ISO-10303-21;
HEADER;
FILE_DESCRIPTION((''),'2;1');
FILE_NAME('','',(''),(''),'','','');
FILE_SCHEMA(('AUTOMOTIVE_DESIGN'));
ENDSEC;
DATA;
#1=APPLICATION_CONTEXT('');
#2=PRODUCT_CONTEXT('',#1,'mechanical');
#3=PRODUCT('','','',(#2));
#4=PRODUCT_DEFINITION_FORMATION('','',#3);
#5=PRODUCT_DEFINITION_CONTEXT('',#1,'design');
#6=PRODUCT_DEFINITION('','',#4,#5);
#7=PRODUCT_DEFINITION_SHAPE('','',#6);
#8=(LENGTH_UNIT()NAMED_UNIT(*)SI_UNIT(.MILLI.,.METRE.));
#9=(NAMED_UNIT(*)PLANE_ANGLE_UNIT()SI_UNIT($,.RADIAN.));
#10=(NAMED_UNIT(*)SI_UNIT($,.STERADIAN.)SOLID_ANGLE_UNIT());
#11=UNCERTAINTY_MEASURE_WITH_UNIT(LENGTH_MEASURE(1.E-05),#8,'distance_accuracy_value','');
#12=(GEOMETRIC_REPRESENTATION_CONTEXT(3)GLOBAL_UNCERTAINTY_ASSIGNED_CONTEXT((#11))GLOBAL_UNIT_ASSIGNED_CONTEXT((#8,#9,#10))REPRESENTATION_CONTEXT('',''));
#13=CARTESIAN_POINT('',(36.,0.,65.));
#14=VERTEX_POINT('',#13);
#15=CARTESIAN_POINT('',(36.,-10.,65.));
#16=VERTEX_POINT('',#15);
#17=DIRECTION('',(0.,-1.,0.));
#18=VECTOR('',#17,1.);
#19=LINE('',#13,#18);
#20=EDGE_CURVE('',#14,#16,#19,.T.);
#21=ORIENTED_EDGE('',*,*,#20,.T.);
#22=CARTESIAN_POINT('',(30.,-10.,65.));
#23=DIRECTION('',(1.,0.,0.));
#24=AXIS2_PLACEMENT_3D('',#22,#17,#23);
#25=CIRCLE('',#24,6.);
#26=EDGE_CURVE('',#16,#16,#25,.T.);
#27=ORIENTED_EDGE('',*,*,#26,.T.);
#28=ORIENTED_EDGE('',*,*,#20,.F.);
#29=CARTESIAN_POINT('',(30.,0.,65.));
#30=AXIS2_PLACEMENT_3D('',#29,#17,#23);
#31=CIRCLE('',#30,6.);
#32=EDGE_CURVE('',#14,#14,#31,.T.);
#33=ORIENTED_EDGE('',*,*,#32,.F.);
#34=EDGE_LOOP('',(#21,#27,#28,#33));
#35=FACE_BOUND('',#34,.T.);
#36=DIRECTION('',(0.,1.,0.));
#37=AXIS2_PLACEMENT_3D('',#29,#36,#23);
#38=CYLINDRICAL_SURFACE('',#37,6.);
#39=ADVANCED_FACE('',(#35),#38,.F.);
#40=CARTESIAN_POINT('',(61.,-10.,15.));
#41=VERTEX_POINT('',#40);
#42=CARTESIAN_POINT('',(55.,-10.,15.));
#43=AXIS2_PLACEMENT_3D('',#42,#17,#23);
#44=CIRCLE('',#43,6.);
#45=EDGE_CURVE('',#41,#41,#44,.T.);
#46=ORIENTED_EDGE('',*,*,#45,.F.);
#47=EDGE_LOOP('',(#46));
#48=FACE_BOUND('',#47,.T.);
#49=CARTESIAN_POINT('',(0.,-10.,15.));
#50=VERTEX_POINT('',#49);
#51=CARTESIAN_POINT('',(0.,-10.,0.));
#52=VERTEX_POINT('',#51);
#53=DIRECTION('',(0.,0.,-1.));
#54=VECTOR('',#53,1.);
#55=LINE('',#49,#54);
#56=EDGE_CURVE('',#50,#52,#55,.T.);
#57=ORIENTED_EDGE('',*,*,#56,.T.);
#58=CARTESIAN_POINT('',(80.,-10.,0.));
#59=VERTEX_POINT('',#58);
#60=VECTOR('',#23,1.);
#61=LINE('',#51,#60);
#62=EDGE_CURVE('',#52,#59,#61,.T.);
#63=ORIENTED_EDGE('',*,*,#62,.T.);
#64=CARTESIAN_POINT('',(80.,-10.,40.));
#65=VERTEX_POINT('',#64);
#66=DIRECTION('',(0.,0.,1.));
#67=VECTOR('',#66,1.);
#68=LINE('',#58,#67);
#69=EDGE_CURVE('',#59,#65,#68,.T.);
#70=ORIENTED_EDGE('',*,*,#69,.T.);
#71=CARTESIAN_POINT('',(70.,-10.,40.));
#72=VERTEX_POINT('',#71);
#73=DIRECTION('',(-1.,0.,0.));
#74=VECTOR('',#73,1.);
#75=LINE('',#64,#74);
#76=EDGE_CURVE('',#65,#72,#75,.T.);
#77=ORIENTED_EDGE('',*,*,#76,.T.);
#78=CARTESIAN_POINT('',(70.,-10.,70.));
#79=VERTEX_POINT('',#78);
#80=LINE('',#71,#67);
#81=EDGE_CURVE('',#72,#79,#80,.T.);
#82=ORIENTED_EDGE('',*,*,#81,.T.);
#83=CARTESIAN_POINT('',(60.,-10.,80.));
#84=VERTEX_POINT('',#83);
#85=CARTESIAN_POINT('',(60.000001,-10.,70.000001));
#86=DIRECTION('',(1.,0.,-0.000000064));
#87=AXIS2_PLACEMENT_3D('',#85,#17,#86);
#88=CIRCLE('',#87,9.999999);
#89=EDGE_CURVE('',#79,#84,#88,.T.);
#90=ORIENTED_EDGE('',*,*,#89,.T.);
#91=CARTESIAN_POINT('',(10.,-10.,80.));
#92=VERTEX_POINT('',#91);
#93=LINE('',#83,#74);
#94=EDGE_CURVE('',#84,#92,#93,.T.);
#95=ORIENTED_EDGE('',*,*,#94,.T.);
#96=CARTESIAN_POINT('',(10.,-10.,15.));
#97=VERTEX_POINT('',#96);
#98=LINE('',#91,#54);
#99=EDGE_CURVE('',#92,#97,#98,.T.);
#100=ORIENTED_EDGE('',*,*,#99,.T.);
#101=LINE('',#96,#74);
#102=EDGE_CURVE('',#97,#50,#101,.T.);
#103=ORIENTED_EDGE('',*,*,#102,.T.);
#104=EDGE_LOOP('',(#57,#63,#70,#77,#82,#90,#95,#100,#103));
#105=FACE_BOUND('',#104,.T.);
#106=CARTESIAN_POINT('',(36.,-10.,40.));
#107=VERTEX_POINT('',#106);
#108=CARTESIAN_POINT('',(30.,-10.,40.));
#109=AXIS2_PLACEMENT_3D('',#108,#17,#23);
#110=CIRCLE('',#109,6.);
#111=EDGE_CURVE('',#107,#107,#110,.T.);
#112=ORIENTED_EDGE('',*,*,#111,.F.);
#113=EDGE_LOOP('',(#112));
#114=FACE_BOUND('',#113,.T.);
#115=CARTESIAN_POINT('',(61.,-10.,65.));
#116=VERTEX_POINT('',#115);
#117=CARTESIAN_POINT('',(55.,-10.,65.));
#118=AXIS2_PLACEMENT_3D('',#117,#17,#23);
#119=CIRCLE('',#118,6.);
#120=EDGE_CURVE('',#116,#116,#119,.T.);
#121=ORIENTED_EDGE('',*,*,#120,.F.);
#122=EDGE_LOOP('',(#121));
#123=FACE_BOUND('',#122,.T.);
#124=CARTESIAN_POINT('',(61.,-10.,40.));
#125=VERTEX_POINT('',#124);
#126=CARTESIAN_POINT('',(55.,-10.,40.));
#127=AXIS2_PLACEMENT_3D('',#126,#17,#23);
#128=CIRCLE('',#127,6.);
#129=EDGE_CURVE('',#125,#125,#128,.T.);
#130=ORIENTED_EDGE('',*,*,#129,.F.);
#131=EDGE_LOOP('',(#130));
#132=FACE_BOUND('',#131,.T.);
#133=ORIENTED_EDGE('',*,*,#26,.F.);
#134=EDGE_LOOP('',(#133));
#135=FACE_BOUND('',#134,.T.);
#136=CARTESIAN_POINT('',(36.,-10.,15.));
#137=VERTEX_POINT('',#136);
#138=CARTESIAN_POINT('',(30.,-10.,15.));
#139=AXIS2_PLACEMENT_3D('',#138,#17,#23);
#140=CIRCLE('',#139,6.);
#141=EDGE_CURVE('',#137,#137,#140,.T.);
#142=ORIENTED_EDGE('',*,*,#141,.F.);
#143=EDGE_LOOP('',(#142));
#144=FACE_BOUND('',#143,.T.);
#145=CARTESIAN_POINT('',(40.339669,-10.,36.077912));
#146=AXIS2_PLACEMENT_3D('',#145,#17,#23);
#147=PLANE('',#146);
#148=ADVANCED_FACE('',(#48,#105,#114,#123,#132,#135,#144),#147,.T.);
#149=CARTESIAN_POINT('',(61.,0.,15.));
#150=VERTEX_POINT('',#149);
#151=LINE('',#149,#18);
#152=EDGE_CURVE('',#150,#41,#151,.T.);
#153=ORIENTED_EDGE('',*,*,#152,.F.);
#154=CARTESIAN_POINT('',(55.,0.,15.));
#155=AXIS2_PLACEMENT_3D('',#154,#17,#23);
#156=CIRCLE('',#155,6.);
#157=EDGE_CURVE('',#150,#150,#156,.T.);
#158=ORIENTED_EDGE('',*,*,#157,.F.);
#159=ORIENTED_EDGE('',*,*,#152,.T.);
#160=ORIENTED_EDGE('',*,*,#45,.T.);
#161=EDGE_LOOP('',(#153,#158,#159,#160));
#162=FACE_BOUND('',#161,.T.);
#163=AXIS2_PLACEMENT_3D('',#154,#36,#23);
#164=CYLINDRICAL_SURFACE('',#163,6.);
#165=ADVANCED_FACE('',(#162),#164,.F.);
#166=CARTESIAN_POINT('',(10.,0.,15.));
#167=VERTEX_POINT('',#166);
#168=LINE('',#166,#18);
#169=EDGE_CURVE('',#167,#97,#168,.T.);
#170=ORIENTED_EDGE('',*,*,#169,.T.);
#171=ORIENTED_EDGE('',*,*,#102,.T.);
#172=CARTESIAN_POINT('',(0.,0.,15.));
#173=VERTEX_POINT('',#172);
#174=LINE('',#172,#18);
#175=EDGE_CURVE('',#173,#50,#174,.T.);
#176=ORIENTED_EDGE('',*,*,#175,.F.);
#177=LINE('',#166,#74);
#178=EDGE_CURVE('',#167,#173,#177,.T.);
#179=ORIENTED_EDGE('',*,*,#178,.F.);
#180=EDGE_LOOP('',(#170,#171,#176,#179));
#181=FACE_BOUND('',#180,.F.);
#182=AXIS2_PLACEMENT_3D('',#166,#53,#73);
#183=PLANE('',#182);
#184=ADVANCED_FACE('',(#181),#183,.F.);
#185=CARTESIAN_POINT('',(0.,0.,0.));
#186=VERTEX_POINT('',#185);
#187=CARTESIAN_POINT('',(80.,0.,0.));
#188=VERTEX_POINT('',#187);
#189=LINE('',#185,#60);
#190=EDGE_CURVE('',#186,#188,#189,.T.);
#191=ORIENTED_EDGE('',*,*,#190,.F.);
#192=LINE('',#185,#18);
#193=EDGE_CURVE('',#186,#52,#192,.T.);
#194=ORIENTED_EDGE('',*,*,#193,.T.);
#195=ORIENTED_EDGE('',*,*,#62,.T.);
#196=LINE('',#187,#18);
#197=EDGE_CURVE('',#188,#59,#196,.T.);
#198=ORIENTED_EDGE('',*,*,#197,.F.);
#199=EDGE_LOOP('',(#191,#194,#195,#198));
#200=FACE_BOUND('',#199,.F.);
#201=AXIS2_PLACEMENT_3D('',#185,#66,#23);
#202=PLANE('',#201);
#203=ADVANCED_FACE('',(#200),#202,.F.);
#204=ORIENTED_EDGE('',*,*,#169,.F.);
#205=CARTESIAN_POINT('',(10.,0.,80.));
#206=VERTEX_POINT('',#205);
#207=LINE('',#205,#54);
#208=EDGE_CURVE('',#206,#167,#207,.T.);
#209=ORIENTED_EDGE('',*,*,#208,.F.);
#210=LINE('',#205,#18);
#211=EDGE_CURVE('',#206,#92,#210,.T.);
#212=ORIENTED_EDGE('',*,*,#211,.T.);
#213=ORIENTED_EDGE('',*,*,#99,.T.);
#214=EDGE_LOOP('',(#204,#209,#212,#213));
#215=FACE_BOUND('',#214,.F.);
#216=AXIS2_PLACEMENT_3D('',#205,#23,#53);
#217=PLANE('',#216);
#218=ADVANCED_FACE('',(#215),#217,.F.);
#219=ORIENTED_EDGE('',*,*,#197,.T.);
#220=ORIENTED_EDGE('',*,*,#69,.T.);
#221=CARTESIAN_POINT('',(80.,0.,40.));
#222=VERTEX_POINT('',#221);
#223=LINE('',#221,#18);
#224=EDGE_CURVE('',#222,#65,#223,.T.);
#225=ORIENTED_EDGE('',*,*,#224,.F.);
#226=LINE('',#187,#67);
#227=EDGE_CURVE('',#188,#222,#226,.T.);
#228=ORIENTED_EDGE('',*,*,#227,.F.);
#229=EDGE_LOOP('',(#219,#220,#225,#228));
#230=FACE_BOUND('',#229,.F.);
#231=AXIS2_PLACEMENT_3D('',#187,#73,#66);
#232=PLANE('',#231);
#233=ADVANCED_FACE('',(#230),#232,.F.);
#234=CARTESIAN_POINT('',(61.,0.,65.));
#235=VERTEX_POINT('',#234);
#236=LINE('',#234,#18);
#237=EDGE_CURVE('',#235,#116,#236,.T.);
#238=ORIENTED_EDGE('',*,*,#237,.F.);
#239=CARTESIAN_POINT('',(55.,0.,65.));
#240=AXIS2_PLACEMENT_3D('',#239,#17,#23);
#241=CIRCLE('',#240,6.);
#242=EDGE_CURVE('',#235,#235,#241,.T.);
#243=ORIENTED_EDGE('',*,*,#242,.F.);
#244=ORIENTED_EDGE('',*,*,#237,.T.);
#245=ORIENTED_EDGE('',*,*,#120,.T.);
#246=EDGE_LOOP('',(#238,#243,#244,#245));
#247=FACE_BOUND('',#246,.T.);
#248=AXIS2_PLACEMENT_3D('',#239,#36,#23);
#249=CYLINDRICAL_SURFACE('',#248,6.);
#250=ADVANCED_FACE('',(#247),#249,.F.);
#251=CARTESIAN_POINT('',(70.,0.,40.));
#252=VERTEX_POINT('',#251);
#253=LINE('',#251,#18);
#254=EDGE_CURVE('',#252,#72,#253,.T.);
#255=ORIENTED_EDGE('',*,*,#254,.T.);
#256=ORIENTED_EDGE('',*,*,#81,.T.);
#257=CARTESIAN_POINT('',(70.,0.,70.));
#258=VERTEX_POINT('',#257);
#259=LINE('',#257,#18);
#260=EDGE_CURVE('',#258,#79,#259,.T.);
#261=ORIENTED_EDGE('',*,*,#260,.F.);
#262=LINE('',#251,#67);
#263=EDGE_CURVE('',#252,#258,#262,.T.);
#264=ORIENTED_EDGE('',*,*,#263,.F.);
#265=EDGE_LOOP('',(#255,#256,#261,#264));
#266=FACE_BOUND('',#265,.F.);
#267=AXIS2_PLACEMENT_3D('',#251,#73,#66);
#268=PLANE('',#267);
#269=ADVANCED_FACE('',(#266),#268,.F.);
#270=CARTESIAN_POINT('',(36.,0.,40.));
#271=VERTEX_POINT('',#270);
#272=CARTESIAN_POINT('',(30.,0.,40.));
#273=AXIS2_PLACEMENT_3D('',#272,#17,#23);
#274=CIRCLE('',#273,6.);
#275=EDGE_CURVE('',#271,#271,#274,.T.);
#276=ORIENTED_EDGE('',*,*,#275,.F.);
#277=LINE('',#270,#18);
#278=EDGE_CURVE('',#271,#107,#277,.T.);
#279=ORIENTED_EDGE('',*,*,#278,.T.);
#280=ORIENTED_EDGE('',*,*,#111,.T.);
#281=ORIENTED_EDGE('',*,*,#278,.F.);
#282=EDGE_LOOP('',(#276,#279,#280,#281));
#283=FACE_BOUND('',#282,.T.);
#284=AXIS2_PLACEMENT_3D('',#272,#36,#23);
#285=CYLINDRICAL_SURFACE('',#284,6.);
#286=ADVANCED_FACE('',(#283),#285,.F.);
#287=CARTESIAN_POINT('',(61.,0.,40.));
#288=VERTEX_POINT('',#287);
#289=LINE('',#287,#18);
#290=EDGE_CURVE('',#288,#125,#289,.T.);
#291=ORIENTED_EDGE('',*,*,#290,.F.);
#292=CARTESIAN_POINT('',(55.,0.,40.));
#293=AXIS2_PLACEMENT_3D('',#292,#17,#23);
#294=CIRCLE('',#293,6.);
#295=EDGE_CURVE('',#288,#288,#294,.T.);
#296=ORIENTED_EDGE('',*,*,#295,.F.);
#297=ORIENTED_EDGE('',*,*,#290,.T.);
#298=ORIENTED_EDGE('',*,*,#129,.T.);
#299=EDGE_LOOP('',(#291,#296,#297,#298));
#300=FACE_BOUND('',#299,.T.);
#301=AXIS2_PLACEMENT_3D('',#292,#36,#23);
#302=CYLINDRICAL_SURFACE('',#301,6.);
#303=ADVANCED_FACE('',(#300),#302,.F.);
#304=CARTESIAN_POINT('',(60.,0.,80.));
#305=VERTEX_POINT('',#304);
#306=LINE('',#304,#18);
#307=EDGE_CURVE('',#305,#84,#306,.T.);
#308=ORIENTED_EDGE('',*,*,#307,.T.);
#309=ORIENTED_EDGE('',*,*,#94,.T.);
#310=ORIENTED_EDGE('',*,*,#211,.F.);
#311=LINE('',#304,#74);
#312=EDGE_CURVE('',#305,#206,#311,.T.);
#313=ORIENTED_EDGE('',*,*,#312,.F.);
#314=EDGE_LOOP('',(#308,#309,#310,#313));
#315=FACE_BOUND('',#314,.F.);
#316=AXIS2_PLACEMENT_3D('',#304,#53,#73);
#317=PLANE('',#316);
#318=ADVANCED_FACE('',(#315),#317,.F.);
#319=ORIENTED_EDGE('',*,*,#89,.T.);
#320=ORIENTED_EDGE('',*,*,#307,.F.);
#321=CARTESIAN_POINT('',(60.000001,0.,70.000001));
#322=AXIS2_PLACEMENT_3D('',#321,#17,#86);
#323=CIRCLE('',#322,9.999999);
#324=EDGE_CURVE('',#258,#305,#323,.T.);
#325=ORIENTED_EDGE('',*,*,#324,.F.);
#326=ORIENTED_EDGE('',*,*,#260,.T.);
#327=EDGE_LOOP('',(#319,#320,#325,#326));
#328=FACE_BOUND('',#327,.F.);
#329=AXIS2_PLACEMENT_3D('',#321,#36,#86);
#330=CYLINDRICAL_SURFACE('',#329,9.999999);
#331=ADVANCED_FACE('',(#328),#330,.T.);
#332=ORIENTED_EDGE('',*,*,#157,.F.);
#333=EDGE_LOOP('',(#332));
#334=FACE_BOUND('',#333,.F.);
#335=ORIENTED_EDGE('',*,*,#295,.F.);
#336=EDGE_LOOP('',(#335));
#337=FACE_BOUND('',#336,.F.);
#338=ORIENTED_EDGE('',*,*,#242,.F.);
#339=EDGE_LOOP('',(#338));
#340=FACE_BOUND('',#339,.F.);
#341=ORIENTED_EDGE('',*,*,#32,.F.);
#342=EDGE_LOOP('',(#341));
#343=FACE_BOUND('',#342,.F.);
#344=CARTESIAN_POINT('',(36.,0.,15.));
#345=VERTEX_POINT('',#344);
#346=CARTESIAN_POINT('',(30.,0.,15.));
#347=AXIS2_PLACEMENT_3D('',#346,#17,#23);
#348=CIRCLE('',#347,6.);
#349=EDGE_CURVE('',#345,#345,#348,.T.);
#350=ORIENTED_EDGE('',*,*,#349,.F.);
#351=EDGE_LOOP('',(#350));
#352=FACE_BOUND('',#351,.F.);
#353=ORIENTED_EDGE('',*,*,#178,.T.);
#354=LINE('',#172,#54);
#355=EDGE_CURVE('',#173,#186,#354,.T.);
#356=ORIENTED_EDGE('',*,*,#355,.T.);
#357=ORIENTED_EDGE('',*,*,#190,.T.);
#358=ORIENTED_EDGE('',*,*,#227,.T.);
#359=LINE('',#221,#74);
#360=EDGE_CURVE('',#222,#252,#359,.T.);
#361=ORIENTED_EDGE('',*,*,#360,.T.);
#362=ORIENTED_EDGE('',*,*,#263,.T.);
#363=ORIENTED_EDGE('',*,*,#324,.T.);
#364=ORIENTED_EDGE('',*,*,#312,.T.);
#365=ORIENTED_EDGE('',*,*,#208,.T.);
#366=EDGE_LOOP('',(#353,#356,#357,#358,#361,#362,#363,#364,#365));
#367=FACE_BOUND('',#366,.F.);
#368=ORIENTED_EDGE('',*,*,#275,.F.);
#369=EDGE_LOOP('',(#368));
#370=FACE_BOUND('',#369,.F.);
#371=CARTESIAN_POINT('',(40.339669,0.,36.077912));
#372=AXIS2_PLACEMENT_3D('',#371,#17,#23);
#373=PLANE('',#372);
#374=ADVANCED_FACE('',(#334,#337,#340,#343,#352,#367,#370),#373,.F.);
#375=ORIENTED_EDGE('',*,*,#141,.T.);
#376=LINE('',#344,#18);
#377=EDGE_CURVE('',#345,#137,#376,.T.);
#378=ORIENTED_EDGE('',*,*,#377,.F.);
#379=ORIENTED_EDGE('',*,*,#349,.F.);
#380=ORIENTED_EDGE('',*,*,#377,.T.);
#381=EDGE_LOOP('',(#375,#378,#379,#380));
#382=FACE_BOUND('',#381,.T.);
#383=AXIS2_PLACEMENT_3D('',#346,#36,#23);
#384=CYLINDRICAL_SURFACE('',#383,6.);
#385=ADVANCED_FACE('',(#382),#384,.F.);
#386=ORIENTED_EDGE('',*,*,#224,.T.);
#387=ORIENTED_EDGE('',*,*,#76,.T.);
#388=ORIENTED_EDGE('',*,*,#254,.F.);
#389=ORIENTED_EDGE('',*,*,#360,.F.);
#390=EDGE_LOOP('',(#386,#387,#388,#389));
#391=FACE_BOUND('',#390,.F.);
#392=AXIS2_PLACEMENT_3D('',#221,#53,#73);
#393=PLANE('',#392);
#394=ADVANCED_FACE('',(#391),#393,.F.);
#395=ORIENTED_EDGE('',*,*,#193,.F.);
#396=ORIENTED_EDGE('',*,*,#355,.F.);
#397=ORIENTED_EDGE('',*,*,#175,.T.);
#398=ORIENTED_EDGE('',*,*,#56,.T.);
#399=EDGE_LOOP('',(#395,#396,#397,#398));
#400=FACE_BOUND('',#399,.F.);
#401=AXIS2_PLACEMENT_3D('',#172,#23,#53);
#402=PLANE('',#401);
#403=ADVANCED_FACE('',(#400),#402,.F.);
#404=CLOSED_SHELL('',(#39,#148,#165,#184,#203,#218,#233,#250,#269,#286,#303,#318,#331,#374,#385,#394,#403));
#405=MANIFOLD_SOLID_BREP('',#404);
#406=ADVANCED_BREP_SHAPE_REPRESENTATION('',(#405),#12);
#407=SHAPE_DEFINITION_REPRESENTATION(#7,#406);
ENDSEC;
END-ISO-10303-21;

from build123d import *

# Parameters (mm, degrees)
F0_R     = 6
F1_DEPTH = 10


with BuildPart() as f1:
    # F0 (on Front) → F1 (new body)
    with BuildSketch(Plane.XZ):
        with BuildLine():
            Line((0, 0), (80, 0))
            Line((80, 0), (80, 40))
            Line((80, 40), (70, 40))
            Line((70, 40), (70, 70))
            ThreePointArc((70, 70), (67.071068, 77.071068), (60, 80))
            Line((60, 80), (10, 80))
            Line((10, 80), (10, 15))
            Line((10, 15), (0, 15))
            Line((0, 15), (0, 0))
        make_face()
        with Locations((30, 15)):
            Circle(F0_R, mode=Mode.SUBTRACT)
        with Locations((55, 15)):
            Circle(F0_R, mode=Mode.SUBTRACT)
        with Locations((30, 40)):
            Circle(F0_R, mode=Mode.SUBTRACT)
        with Locations((30, 65)):
            Circle(F0_R, mode=Mode.SUBTRACT)
        with Locations((55, 40)):
            Circle(F0_R, mode=Mode.SUBTRACT)
        with Locations((55, 65)):
            Circle(F0_R, mode=Mode.SUBTRACT)
    extrude(amount=F1_DEPTH)


solid = f1.part
